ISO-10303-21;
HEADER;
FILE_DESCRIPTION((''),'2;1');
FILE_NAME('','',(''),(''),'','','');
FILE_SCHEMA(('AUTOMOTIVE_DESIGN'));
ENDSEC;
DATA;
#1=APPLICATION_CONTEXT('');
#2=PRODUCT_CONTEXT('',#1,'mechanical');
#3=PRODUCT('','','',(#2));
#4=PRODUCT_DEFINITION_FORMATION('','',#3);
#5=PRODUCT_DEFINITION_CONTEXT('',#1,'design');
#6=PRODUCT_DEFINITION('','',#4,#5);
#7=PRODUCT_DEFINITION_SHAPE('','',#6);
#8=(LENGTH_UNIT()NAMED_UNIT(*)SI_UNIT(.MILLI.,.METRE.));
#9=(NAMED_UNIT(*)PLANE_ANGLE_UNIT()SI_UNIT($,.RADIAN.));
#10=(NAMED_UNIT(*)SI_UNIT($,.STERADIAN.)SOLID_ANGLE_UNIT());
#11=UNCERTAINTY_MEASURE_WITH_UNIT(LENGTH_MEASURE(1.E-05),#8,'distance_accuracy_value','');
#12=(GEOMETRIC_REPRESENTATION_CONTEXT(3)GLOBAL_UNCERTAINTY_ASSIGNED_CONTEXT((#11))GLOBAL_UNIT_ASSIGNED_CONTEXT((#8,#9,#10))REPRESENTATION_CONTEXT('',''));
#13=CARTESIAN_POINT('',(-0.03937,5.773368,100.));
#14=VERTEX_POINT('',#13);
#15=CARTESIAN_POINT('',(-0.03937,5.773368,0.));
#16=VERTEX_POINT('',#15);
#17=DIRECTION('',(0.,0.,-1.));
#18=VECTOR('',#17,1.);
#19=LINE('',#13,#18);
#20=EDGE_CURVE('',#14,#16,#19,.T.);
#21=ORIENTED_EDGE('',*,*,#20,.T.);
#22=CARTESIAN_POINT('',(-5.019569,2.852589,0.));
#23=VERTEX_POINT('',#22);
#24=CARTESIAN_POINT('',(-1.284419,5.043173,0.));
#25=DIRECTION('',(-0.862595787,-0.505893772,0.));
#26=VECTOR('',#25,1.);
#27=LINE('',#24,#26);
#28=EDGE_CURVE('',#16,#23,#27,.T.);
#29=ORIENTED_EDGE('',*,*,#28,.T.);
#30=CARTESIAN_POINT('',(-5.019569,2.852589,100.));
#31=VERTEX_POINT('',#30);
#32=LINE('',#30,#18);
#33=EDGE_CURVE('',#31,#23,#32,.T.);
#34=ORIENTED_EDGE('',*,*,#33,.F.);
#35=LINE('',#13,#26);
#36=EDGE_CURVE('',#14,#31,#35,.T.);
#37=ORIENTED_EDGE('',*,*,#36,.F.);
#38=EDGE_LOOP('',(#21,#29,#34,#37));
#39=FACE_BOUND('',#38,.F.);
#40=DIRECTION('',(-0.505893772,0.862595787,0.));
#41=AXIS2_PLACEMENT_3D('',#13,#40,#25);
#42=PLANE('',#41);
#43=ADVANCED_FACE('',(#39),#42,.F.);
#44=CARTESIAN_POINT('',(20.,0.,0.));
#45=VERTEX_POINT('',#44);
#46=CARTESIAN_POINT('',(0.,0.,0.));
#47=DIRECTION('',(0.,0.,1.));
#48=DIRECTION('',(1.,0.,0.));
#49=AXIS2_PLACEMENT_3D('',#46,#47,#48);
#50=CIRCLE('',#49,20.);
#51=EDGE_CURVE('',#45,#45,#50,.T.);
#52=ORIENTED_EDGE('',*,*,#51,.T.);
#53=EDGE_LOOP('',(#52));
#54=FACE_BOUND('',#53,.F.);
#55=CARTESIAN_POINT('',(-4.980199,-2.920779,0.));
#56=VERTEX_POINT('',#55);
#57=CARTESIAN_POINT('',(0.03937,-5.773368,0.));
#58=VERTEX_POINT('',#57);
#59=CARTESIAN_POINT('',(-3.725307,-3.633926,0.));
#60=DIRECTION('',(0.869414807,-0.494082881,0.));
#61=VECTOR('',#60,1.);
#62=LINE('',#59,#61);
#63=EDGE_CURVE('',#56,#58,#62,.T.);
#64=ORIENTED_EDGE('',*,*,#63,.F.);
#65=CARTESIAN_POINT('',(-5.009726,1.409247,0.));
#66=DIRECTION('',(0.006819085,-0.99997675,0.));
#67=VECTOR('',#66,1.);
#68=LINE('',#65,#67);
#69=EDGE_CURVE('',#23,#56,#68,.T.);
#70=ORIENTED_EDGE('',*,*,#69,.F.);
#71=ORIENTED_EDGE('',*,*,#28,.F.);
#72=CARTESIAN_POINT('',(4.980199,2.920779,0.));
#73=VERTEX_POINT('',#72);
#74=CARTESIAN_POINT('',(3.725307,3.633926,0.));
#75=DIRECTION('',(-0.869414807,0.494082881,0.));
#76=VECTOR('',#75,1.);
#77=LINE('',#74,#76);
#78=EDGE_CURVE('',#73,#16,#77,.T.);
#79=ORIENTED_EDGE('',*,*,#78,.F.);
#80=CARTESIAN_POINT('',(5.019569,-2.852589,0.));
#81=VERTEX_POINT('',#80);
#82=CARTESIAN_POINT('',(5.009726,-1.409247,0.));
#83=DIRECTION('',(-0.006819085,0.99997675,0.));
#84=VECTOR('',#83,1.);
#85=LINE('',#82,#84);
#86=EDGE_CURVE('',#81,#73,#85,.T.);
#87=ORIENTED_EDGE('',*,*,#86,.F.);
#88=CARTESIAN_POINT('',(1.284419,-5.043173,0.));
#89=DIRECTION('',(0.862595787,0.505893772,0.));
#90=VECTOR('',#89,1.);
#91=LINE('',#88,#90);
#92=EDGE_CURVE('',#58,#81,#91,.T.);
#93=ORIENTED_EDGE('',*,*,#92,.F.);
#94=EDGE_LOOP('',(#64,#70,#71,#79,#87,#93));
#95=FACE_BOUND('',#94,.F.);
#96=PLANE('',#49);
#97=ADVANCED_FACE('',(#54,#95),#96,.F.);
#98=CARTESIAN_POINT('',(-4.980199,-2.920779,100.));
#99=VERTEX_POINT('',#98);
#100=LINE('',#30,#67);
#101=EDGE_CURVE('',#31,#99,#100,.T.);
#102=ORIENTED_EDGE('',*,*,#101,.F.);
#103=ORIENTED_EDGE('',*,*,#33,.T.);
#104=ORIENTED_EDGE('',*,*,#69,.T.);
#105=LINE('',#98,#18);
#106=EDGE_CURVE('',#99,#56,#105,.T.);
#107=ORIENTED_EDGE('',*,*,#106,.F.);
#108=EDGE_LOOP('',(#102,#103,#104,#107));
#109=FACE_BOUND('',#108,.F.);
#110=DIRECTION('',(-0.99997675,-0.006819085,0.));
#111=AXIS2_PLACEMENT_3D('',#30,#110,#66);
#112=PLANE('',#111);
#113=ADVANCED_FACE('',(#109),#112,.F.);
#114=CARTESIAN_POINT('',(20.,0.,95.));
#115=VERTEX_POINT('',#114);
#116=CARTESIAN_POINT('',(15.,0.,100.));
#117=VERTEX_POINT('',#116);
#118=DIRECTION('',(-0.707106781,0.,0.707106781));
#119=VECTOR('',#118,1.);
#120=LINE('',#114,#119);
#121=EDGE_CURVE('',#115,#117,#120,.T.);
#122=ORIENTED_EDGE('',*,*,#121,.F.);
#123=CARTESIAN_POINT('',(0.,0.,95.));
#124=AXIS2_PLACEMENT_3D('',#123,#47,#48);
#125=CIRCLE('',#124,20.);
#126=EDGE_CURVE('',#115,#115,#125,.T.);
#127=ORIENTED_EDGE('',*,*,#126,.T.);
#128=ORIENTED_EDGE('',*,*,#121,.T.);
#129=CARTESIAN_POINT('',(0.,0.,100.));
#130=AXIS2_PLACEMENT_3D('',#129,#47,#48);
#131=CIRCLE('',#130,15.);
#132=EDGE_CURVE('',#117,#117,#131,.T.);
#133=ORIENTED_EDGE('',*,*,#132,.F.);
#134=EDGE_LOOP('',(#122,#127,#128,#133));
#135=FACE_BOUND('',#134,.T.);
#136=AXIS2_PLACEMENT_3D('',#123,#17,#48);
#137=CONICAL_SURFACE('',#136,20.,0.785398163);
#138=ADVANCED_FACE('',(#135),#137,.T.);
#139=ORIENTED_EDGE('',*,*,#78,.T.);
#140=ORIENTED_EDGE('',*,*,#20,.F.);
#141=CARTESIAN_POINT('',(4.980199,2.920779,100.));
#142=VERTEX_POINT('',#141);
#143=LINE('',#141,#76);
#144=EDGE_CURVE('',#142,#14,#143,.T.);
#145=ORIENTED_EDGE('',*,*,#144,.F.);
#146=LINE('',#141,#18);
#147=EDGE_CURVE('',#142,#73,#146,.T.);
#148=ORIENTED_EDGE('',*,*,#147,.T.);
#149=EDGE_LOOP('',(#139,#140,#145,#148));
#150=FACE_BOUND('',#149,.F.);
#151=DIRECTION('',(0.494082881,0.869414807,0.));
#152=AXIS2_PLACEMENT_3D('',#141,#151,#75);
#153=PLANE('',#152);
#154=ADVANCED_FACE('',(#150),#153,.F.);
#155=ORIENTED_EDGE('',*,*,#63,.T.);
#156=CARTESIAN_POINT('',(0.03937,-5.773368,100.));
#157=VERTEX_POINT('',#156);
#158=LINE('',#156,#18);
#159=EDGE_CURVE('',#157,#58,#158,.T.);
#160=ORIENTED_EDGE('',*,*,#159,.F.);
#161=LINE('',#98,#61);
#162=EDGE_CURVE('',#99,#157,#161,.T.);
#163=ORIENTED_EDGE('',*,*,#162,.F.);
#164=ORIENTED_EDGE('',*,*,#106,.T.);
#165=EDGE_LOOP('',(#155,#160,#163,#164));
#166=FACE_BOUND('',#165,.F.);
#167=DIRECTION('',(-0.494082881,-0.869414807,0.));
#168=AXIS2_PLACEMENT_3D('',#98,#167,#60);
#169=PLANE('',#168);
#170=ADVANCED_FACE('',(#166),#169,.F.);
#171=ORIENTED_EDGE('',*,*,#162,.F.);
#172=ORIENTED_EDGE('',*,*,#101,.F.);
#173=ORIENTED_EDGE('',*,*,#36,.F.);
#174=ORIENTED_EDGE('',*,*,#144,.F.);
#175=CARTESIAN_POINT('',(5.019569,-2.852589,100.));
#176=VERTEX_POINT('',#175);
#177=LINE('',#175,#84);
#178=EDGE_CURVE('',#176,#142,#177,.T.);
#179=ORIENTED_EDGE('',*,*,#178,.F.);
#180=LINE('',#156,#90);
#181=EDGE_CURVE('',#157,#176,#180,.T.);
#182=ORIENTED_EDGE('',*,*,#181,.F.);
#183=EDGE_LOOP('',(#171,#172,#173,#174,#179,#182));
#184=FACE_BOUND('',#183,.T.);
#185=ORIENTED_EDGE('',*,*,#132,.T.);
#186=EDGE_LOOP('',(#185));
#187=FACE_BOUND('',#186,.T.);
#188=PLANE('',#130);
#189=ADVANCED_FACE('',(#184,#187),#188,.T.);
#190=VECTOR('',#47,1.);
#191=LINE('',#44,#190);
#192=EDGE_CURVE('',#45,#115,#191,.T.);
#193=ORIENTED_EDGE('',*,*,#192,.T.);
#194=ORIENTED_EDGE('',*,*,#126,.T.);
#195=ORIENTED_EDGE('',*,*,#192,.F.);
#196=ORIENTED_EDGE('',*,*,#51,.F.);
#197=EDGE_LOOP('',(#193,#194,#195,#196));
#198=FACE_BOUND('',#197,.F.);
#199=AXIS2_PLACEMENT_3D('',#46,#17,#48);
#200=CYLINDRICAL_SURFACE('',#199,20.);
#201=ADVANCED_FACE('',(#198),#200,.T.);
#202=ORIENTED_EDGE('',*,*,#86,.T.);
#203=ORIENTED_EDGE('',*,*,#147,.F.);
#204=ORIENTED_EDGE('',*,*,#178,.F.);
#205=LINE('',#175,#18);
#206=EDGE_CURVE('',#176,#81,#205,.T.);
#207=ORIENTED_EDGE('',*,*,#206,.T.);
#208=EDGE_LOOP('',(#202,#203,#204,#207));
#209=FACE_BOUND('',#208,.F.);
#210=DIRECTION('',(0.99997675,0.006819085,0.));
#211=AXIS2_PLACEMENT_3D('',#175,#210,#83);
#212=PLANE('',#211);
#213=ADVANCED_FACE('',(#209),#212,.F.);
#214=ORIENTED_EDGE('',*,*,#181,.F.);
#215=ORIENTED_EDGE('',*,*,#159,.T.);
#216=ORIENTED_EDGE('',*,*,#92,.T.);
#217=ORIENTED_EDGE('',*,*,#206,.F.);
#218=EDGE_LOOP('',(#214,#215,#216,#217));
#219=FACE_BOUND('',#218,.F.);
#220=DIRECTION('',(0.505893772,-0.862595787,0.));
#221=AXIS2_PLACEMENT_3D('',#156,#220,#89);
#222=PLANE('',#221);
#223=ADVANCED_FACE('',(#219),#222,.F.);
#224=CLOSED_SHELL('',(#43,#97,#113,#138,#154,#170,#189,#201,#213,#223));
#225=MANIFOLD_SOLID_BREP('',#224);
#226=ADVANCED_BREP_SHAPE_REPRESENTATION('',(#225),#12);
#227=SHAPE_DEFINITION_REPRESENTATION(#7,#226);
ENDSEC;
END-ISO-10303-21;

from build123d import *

# Parameters (mm, degrees)
F0_R     = 20
F1_DEPTH = 100
F2_SIZE  = 5
F4_DEPTH = 100.001


with BuildPart() as f1:
    # F0 (on Top) → F1 (new body)
    with BuildSketch(Plane.XY):
        Circle(F0_R)
    extrude(amount=F1_DEPTH)

    # F2
    f2_edges = [f1.edges().sort_by_distance(p)[0] for p in [
        (-20, 0, 100),
    ]]
    chamfer(f2_edges, length=F2_SIZE)

    # F3 (on face) → F4 (cut, through all)
    with BuildSketch(Plane.XY.offset(100)):
        Polygon((0.03937, -5.773368), (5.019569, -2.852589), (4.980199, 2.920779), (-0.03937, 5.773368), (-5.019569, 2.852589), (-4.980199, -2.920779), align=None)
    extrude(amount=-F4_DEPTH, mode=Mode.SUBTRACT)


solid = f1.part
